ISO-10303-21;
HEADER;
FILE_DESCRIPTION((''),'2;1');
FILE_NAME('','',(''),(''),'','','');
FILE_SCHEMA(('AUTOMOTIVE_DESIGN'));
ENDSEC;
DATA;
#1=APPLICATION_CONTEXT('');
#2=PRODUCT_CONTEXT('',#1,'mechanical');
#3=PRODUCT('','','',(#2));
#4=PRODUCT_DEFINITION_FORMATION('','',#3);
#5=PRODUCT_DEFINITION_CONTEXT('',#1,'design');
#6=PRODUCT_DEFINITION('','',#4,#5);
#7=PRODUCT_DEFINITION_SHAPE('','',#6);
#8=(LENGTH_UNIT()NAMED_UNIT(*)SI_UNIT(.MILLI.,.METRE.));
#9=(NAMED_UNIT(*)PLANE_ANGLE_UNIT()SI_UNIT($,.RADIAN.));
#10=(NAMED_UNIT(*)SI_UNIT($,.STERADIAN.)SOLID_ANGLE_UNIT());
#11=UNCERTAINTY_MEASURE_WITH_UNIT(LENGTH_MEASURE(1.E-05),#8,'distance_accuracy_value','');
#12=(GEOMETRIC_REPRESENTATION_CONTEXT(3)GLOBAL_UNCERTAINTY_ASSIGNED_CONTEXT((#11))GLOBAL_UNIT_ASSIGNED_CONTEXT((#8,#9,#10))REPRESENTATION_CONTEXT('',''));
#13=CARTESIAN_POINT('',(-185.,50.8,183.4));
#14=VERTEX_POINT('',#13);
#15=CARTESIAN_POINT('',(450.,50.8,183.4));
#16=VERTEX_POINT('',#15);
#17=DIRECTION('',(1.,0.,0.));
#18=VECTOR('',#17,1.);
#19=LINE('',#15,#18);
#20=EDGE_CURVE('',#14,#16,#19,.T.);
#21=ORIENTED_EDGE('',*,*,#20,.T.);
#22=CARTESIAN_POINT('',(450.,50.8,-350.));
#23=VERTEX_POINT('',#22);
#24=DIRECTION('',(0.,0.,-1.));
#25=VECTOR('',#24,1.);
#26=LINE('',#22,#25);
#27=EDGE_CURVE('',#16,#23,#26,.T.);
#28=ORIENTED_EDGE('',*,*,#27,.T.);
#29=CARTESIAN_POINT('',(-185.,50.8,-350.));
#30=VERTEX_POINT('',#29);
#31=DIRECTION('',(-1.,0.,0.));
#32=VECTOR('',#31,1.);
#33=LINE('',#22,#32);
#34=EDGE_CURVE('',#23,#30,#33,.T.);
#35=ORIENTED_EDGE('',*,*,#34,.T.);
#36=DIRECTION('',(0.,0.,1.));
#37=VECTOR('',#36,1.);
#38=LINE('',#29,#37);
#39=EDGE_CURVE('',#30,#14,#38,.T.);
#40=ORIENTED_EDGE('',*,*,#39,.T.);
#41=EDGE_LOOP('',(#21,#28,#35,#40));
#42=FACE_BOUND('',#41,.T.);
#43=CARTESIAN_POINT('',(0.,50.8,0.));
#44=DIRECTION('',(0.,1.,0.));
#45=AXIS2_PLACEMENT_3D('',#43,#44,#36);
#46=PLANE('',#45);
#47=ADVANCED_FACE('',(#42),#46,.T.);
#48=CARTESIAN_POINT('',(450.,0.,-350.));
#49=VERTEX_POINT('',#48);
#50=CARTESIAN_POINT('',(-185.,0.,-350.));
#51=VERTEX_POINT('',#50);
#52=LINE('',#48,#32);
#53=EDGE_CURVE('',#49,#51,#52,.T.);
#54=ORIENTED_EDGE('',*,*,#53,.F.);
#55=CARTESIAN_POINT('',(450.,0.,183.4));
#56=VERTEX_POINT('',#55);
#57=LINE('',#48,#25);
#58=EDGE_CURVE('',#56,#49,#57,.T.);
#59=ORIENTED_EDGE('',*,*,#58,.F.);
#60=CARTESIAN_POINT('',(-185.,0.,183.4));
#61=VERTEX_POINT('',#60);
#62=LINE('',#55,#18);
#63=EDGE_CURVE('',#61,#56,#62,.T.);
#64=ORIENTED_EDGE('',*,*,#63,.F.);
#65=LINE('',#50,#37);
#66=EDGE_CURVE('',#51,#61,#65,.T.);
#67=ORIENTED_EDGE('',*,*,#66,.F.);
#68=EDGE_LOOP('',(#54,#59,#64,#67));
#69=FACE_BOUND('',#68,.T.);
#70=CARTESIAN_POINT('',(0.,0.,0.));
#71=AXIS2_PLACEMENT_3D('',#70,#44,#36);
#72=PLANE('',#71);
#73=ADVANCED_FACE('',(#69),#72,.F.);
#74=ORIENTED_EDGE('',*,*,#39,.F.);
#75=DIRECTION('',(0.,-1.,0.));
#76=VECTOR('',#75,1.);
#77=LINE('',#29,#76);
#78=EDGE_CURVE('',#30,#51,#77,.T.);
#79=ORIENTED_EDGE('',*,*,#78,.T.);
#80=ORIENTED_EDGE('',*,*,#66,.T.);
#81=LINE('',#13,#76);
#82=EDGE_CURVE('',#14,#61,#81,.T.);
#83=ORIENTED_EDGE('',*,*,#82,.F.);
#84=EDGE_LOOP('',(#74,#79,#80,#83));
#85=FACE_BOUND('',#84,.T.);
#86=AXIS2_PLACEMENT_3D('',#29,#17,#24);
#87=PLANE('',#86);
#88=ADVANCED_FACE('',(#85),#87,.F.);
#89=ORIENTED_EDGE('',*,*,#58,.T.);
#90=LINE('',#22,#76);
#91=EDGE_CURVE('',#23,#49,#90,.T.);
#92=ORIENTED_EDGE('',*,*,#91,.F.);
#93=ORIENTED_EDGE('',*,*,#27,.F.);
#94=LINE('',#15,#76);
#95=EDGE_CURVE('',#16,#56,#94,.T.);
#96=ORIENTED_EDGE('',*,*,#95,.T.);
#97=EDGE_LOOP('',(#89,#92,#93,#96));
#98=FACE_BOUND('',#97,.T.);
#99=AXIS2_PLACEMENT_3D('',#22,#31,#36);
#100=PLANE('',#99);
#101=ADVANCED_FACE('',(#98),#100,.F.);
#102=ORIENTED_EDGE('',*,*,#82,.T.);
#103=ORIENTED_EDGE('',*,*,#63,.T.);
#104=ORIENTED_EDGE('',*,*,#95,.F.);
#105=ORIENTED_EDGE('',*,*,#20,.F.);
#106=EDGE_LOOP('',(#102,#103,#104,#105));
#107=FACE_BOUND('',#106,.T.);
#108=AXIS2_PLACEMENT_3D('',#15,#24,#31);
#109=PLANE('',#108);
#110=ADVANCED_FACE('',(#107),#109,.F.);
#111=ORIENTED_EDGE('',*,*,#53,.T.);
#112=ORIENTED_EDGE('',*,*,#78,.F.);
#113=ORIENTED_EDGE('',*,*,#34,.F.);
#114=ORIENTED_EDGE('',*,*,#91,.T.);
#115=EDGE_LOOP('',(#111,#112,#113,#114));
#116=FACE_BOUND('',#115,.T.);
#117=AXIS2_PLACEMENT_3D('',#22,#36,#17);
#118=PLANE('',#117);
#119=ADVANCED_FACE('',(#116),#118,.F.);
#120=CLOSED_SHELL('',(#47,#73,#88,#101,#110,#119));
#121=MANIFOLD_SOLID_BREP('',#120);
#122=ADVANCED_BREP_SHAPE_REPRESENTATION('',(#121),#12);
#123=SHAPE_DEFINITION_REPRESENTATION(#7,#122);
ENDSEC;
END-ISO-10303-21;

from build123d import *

# Parameters (mm, degrees)
SKETCH1_W           = 635
SKETCH1_H           = 533.4
BOSS_EXTRUDE1_DEPTH = 50.8


with BuildPart() as part:
    # Sketch1 → Boss-Extrude1 (new body)
    with BuildSketch(Plane(origin=(0, 0, 0), x_dir=(1, 0, 0), z_dir=(0, 1, 0))):
        with Locations((132.5, 83.3)):
            Rectangle(SKETCH1_W, SKETCH1_H)
    extrude(amount=BOSS_EXTRUDE1_DEPTH)


solid = part.part
